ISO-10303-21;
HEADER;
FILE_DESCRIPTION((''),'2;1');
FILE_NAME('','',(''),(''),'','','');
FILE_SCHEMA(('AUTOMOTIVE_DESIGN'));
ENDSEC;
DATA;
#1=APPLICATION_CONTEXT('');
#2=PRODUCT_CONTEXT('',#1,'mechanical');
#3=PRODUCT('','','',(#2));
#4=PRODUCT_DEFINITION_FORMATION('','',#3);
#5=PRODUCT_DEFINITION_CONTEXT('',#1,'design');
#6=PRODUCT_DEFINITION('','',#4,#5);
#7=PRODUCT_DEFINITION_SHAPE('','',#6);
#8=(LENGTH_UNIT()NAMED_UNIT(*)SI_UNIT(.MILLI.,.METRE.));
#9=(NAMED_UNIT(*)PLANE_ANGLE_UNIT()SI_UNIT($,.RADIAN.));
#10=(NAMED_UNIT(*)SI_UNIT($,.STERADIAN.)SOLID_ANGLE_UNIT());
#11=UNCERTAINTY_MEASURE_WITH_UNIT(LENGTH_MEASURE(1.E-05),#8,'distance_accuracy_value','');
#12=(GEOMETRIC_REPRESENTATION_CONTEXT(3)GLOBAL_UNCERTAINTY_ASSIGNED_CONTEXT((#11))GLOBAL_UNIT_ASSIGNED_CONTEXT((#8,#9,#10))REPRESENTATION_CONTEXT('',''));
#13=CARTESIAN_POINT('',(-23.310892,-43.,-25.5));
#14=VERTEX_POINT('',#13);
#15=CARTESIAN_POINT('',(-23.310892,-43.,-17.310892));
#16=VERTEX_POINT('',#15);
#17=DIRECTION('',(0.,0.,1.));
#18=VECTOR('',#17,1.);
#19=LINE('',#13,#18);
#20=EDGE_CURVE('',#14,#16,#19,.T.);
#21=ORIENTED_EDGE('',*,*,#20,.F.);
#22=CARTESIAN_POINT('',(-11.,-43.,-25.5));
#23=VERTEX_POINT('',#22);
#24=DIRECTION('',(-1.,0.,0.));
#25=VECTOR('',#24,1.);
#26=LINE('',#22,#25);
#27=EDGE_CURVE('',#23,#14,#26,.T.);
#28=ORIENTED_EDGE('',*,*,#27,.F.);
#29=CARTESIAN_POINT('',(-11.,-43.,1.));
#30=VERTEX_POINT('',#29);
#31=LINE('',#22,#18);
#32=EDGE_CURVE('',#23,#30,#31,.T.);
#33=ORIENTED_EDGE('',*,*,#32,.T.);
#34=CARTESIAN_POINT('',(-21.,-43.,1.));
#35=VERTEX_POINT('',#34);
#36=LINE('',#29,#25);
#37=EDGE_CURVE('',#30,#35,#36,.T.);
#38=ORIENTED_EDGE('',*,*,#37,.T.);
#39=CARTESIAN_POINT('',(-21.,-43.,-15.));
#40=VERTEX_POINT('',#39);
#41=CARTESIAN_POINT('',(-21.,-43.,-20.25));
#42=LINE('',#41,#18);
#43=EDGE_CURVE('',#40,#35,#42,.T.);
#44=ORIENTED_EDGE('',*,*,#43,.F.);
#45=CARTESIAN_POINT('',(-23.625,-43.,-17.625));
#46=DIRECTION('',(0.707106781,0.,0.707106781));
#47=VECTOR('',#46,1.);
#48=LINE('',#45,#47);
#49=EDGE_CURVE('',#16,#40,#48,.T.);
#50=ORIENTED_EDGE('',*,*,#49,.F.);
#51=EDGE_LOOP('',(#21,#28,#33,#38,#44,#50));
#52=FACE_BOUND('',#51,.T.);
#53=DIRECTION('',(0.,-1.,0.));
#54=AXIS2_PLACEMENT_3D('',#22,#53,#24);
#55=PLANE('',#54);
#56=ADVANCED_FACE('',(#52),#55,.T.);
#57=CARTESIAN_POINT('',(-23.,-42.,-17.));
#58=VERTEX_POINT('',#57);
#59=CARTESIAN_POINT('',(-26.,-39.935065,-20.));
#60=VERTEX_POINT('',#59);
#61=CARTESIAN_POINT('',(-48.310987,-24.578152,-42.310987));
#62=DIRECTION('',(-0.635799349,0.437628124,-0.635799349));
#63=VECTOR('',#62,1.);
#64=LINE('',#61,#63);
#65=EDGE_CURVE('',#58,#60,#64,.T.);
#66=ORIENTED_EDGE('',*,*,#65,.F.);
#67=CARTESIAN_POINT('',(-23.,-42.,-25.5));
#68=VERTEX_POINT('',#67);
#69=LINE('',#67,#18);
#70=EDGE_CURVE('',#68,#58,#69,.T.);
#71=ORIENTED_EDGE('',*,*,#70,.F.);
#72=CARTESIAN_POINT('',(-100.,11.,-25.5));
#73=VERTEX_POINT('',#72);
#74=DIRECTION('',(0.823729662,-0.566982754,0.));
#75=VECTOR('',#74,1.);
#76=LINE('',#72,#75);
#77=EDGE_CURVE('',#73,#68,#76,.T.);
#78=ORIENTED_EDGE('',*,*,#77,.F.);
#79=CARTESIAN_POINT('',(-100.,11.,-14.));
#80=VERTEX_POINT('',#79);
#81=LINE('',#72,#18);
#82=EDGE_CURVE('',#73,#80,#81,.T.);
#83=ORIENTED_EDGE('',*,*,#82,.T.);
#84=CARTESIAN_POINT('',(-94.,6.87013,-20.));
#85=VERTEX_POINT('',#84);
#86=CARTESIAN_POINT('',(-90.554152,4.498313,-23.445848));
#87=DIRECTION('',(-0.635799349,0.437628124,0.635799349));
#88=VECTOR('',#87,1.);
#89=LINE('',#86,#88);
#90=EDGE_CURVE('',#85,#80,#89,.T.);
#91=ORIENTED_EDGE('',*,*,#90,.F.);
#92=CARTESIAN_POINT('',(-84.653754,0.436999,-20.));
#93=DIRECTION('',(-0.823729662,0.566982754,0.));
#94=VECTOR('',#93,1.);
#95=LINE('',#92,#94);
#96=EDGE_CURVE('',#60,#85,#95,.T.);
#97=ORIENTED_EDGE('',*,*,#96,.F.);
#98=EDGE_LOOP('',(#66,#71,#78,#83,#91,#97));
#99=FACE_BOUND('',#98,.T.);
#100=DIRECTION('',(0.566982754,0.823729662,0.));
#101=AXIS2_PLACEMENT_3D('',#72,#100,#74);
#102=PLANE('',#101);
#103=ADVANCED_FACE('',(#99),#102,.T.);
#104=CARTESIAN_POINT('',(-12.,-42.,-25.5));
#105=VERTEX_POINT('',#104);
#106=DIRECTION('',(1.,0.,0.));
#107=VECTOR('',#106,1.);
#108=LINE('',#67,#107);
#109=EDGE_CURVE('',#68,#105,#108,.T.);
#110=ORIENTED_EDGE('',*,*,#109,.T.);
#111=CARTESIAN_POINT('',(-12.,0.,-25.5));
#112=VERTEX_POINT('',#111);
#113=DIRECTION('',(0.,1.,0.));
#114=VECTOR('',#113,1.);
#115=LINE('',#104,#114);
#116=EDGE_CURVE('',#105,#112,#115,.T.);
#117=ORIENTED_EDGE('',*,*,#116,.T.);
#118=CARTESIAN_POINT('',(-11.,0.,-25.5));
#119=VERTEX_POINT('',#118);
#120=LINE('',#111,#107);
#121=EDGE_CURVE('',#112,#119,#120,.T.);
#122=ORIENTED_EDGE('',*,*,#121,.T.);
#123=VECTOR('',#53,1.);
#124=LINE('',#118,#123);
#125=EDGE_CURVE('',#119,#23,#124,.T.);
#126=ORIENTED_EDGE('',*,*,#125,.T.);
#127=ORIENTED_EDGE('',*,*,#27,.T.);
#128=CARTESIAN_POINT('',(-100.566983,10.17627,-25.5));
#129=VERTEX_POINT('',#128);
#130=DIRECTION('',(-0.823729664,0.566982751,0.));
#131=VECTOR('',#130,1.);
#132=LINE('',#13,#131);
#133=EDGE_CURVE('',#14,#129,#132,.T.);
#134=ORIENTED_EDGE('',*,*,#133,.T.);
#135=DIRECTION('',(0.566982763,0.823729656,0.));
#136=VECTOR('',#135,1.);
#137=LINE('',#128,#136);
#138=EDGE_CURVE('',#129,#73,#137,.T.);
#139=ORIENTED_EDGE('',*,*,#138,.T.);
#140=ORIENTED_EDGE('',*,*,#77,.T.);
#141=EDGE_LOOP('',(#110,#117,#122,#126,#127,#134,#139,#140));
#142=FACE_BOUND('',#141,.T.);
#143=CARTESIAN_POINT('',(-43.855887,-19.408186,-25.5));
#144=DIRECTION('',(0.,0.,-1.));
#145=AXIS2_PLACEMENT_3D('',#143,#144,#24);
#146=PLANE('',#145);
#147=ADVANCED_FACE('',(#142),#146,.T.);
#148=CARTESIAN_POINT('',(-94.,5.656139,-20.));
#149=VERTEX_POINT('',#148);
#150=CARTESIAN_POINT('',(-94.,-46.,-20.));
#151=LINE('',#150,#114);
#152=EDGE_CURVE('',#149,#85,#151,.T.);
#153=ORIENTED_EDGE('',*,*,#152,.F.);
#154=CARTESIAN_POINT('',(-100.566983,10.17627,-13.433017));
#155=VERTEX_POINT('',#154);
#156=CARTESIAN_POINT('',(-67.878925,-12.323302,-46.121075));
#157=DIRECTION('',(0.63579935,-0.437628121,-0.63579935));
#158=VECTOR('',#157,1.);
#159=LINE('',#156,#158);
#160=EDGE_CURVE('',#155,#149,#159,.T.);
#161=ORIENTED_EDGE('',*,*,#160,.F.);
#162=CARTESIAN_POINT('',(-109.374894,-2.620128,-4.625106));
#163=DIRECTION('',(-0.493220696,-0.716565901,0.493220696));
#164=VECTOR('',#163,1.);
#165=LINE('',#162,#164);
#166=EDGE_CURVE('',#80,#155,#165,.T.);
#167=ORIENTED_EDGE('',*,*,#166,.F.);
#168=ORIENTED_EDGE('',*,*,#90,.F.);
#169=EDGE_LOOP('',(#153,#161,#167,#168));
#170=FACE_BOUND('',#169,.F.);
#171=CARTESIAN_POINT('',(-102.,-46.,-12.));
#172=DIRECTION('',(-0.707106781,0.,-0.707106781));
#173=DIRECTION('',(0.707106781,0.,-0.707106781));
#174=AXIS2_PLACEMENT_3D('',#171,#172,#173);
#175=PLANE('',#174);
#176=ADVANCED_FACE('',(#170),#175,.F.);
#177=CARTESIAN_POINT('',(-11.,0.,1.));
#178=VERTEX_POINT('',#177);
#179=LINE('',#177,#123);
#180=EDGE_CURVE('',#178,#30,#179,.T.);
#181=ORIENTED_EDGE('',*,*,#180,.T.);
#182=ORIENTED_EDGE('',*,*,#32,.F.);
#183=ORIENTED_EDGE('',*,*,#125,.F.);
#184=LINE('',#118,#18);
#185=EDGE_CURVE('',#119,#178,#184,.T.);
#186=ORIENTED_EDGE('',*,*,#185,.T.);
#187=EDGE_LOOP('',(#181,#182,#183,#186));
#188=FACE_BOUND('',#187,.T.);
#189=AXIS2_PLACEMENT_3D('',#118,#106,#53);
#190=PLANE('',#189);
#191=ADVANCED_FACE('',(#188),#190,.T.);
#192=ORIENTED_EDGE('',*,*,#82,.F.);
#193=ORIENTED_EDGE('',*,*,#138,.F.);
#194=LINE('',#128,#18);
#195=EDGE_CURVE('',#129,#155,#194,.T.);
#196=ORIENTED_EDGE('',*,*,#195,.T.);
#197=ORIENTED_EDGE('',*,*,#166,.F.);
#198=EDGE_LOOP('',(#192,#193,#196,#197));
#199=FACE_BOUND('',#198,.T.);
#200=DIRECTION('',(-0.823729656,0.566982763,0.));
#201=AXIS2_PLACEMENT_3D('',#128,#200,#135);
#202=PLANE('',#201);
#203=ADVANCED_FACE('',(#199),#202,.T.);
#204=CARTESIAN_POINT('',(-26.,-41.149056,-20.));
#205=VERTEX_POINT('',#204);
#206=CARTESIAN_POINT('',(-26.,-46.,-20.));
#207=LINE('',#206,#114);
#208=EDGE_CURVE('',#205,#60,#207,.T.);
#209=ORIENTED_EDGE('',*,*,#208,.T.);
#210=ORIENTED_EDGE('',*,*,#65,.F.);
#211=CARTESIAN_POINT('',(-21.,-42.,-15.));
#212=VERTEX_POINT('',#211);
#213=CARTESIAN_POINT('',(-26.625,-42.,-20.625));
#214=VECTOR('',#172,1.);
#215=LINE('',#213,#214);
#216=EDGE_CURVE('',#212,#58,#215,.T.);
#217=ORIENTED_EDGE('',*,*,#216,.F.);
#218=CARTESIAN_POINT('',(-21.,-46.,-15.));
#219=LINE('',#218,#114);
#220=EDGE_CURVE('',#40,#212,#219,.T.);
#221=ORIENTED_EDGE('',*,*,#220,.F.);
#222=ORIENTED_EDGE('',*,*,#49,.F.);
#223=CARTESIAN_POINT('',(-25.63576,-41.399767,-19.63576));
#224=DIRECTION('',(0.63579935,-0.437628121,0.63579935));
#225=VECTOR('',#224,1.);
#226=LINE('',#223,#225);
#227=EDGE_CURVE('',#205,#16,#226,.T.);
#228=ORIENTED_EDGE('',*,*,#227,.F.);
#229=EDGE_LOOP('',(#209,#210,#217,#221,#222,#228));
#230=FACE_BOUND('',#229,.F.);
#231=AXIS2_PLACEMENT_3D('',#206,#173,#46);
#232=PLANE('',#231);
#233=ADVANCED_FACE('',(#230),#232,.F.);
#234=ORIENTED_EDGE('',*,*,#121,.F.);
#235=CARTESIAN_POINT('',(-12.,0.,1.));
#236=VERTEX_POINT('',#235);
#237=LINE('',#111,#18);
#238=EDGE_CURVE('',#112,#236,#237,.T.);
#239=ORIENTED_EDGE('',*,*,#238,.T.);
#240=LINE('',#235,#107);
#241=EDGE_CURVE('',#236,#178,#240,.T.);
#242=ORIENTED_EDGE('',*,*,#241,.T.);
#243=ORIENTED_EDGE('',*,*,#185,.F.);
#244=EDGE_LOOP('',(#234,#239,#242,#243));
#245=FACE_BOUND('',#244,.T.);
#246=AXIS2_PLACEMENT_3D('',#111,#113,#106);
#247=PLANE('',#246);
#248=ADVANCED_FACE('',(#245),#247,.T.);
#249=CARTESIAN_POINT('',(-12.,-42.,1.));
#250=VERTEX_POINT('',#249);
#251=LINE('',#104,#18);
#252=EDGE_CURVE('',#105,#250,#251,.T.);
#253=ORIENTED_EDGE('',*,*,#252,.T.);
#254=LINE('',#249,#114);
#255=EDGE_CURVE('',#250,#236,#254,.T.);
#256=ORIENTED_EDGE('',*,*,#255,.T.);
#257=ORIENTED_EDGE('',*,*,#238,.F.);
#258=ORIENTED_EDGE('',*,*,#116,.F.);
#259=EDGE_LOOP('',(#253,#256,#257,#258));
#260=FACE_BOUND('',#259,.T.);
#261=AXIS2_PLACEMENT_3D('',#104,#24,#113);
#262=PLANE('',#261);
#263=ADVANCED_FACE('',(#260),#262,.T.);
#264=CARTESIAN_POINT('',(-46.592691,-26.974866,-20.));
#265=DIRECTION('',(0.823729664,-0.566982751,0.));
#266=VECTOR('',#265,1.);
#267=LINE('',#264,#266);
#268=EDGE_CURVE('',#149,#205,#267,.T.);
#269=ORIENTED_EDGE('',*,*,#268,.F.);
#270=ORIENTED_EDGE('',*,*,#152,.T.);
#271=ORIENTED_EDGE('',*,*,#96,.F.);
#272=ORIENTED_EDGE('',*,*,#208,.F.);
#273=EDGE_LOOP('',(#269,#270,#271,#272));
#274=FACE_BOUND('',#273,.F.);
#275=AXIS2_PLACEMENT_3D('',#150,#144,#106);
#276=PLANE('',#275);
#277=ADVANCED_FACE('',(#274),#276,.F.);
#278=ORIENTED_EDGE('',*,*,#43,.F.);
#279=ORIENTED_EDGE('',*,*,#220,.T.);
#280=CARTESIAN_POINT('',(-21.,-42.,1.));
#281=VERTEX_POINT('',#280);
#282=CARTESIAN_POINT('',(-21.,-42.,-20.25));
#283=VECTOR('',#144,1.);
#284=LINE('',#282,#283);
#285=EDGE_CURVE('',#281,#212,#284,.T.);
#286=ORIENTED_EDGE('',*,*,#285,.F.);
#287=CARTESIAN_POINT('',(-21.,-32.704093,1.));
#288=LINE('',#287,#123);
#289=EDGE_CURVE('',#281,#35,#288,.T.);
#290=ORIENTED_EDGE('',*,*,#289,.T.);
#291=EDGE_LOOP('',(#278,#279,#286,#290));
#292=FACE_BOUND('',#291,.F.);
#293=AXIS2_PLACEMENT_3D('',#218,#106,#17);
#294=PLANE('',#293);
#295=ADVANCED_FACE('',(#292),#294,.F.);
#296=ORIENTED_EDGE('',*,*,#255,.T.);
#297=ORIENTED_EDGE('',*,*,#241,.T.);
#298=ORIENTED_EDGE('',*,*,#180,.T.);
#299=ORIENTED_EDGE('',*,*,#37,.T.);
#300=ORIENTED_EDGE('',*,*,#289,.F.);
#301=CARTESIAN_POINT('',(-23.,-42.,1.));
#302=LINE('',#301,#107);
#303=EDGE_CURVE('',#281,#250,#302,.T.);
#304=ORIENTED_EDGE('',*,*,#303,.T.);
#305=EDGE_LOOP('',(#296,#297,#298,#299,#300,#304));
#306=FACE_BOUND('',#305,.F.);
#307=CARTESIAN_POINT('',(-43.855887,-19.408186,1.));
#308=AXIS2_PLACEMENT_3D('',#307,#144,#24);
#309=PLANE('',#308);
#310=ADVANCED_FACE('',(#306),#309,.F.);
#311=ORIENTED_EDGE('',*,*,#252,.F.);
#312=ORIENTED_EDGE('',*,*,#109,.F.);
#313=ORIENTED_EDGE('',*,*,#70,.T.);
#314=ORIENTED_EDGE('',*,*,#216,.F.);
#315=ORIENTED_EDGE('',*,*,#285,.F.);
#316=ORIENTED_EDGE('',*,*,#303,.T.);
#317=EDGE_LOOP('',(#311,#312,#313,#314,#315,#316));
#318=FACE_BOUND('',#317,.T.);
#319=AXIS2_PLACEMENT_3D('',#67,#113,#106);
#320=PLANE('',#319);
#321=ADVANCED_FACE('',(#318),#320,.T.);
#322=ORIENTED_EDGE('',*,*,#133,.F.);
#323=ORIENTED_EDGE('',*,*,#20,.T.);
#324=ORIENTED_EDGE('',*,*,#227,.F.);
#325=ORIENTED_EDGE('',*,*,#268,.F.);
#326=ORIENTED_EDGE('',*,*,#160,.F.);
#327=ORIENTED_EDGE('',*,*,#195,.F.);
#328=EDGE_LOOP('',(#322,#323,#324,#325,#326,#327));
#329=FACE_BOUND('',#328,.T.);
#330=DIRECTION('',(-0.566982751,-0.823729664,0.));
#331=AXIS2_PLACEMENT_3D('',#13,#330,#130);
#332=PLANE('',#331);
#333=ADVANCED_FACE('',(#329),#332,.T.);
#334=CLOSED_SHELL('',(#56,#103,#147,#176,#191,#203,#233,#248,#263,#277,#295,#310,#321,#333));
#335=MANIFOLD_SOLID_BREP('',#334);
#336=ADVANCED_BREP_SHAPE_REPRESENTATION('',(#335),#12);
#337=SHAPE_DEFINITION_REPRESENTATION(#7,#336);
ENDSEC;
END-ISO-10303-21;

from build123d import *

# Parameters (mm, degrees)
EXTRUDE018_DEPTH = 60
EXTRUDE016_DEPTH = 26.5


with BuildPart() as body013:
    # Sketch022 → Extrude018 (new body)
    with BuildSketch(Plane.XZ.offset(46)):
        Polygon((-21, 7.5), (-102, 7.5), (-102, -12), (-94, -20), (-26, -20), (-21, -15), align=None)
    extrude(amount=-EXTRUDE018_DEPTH)


with BuildPart() as cut008:
    # Sketch020 → Extrude016 (new body)
    with BuildSketch(Plane.XY.offset(-25.5)):
        Polygon((-11, 0), (-11, -43), (-23.310892, -43), (-100.566983, 10.17627), (-100, 11), (-23, -42), (-12, -42), (-12, 0), align=None)
    extrude(amount=EXTRUDE016_DEPTH)

    # Cut008: cut Body013
    add(body013.part, mode=Mode.SUBTRACT)


solid = cut008.part
